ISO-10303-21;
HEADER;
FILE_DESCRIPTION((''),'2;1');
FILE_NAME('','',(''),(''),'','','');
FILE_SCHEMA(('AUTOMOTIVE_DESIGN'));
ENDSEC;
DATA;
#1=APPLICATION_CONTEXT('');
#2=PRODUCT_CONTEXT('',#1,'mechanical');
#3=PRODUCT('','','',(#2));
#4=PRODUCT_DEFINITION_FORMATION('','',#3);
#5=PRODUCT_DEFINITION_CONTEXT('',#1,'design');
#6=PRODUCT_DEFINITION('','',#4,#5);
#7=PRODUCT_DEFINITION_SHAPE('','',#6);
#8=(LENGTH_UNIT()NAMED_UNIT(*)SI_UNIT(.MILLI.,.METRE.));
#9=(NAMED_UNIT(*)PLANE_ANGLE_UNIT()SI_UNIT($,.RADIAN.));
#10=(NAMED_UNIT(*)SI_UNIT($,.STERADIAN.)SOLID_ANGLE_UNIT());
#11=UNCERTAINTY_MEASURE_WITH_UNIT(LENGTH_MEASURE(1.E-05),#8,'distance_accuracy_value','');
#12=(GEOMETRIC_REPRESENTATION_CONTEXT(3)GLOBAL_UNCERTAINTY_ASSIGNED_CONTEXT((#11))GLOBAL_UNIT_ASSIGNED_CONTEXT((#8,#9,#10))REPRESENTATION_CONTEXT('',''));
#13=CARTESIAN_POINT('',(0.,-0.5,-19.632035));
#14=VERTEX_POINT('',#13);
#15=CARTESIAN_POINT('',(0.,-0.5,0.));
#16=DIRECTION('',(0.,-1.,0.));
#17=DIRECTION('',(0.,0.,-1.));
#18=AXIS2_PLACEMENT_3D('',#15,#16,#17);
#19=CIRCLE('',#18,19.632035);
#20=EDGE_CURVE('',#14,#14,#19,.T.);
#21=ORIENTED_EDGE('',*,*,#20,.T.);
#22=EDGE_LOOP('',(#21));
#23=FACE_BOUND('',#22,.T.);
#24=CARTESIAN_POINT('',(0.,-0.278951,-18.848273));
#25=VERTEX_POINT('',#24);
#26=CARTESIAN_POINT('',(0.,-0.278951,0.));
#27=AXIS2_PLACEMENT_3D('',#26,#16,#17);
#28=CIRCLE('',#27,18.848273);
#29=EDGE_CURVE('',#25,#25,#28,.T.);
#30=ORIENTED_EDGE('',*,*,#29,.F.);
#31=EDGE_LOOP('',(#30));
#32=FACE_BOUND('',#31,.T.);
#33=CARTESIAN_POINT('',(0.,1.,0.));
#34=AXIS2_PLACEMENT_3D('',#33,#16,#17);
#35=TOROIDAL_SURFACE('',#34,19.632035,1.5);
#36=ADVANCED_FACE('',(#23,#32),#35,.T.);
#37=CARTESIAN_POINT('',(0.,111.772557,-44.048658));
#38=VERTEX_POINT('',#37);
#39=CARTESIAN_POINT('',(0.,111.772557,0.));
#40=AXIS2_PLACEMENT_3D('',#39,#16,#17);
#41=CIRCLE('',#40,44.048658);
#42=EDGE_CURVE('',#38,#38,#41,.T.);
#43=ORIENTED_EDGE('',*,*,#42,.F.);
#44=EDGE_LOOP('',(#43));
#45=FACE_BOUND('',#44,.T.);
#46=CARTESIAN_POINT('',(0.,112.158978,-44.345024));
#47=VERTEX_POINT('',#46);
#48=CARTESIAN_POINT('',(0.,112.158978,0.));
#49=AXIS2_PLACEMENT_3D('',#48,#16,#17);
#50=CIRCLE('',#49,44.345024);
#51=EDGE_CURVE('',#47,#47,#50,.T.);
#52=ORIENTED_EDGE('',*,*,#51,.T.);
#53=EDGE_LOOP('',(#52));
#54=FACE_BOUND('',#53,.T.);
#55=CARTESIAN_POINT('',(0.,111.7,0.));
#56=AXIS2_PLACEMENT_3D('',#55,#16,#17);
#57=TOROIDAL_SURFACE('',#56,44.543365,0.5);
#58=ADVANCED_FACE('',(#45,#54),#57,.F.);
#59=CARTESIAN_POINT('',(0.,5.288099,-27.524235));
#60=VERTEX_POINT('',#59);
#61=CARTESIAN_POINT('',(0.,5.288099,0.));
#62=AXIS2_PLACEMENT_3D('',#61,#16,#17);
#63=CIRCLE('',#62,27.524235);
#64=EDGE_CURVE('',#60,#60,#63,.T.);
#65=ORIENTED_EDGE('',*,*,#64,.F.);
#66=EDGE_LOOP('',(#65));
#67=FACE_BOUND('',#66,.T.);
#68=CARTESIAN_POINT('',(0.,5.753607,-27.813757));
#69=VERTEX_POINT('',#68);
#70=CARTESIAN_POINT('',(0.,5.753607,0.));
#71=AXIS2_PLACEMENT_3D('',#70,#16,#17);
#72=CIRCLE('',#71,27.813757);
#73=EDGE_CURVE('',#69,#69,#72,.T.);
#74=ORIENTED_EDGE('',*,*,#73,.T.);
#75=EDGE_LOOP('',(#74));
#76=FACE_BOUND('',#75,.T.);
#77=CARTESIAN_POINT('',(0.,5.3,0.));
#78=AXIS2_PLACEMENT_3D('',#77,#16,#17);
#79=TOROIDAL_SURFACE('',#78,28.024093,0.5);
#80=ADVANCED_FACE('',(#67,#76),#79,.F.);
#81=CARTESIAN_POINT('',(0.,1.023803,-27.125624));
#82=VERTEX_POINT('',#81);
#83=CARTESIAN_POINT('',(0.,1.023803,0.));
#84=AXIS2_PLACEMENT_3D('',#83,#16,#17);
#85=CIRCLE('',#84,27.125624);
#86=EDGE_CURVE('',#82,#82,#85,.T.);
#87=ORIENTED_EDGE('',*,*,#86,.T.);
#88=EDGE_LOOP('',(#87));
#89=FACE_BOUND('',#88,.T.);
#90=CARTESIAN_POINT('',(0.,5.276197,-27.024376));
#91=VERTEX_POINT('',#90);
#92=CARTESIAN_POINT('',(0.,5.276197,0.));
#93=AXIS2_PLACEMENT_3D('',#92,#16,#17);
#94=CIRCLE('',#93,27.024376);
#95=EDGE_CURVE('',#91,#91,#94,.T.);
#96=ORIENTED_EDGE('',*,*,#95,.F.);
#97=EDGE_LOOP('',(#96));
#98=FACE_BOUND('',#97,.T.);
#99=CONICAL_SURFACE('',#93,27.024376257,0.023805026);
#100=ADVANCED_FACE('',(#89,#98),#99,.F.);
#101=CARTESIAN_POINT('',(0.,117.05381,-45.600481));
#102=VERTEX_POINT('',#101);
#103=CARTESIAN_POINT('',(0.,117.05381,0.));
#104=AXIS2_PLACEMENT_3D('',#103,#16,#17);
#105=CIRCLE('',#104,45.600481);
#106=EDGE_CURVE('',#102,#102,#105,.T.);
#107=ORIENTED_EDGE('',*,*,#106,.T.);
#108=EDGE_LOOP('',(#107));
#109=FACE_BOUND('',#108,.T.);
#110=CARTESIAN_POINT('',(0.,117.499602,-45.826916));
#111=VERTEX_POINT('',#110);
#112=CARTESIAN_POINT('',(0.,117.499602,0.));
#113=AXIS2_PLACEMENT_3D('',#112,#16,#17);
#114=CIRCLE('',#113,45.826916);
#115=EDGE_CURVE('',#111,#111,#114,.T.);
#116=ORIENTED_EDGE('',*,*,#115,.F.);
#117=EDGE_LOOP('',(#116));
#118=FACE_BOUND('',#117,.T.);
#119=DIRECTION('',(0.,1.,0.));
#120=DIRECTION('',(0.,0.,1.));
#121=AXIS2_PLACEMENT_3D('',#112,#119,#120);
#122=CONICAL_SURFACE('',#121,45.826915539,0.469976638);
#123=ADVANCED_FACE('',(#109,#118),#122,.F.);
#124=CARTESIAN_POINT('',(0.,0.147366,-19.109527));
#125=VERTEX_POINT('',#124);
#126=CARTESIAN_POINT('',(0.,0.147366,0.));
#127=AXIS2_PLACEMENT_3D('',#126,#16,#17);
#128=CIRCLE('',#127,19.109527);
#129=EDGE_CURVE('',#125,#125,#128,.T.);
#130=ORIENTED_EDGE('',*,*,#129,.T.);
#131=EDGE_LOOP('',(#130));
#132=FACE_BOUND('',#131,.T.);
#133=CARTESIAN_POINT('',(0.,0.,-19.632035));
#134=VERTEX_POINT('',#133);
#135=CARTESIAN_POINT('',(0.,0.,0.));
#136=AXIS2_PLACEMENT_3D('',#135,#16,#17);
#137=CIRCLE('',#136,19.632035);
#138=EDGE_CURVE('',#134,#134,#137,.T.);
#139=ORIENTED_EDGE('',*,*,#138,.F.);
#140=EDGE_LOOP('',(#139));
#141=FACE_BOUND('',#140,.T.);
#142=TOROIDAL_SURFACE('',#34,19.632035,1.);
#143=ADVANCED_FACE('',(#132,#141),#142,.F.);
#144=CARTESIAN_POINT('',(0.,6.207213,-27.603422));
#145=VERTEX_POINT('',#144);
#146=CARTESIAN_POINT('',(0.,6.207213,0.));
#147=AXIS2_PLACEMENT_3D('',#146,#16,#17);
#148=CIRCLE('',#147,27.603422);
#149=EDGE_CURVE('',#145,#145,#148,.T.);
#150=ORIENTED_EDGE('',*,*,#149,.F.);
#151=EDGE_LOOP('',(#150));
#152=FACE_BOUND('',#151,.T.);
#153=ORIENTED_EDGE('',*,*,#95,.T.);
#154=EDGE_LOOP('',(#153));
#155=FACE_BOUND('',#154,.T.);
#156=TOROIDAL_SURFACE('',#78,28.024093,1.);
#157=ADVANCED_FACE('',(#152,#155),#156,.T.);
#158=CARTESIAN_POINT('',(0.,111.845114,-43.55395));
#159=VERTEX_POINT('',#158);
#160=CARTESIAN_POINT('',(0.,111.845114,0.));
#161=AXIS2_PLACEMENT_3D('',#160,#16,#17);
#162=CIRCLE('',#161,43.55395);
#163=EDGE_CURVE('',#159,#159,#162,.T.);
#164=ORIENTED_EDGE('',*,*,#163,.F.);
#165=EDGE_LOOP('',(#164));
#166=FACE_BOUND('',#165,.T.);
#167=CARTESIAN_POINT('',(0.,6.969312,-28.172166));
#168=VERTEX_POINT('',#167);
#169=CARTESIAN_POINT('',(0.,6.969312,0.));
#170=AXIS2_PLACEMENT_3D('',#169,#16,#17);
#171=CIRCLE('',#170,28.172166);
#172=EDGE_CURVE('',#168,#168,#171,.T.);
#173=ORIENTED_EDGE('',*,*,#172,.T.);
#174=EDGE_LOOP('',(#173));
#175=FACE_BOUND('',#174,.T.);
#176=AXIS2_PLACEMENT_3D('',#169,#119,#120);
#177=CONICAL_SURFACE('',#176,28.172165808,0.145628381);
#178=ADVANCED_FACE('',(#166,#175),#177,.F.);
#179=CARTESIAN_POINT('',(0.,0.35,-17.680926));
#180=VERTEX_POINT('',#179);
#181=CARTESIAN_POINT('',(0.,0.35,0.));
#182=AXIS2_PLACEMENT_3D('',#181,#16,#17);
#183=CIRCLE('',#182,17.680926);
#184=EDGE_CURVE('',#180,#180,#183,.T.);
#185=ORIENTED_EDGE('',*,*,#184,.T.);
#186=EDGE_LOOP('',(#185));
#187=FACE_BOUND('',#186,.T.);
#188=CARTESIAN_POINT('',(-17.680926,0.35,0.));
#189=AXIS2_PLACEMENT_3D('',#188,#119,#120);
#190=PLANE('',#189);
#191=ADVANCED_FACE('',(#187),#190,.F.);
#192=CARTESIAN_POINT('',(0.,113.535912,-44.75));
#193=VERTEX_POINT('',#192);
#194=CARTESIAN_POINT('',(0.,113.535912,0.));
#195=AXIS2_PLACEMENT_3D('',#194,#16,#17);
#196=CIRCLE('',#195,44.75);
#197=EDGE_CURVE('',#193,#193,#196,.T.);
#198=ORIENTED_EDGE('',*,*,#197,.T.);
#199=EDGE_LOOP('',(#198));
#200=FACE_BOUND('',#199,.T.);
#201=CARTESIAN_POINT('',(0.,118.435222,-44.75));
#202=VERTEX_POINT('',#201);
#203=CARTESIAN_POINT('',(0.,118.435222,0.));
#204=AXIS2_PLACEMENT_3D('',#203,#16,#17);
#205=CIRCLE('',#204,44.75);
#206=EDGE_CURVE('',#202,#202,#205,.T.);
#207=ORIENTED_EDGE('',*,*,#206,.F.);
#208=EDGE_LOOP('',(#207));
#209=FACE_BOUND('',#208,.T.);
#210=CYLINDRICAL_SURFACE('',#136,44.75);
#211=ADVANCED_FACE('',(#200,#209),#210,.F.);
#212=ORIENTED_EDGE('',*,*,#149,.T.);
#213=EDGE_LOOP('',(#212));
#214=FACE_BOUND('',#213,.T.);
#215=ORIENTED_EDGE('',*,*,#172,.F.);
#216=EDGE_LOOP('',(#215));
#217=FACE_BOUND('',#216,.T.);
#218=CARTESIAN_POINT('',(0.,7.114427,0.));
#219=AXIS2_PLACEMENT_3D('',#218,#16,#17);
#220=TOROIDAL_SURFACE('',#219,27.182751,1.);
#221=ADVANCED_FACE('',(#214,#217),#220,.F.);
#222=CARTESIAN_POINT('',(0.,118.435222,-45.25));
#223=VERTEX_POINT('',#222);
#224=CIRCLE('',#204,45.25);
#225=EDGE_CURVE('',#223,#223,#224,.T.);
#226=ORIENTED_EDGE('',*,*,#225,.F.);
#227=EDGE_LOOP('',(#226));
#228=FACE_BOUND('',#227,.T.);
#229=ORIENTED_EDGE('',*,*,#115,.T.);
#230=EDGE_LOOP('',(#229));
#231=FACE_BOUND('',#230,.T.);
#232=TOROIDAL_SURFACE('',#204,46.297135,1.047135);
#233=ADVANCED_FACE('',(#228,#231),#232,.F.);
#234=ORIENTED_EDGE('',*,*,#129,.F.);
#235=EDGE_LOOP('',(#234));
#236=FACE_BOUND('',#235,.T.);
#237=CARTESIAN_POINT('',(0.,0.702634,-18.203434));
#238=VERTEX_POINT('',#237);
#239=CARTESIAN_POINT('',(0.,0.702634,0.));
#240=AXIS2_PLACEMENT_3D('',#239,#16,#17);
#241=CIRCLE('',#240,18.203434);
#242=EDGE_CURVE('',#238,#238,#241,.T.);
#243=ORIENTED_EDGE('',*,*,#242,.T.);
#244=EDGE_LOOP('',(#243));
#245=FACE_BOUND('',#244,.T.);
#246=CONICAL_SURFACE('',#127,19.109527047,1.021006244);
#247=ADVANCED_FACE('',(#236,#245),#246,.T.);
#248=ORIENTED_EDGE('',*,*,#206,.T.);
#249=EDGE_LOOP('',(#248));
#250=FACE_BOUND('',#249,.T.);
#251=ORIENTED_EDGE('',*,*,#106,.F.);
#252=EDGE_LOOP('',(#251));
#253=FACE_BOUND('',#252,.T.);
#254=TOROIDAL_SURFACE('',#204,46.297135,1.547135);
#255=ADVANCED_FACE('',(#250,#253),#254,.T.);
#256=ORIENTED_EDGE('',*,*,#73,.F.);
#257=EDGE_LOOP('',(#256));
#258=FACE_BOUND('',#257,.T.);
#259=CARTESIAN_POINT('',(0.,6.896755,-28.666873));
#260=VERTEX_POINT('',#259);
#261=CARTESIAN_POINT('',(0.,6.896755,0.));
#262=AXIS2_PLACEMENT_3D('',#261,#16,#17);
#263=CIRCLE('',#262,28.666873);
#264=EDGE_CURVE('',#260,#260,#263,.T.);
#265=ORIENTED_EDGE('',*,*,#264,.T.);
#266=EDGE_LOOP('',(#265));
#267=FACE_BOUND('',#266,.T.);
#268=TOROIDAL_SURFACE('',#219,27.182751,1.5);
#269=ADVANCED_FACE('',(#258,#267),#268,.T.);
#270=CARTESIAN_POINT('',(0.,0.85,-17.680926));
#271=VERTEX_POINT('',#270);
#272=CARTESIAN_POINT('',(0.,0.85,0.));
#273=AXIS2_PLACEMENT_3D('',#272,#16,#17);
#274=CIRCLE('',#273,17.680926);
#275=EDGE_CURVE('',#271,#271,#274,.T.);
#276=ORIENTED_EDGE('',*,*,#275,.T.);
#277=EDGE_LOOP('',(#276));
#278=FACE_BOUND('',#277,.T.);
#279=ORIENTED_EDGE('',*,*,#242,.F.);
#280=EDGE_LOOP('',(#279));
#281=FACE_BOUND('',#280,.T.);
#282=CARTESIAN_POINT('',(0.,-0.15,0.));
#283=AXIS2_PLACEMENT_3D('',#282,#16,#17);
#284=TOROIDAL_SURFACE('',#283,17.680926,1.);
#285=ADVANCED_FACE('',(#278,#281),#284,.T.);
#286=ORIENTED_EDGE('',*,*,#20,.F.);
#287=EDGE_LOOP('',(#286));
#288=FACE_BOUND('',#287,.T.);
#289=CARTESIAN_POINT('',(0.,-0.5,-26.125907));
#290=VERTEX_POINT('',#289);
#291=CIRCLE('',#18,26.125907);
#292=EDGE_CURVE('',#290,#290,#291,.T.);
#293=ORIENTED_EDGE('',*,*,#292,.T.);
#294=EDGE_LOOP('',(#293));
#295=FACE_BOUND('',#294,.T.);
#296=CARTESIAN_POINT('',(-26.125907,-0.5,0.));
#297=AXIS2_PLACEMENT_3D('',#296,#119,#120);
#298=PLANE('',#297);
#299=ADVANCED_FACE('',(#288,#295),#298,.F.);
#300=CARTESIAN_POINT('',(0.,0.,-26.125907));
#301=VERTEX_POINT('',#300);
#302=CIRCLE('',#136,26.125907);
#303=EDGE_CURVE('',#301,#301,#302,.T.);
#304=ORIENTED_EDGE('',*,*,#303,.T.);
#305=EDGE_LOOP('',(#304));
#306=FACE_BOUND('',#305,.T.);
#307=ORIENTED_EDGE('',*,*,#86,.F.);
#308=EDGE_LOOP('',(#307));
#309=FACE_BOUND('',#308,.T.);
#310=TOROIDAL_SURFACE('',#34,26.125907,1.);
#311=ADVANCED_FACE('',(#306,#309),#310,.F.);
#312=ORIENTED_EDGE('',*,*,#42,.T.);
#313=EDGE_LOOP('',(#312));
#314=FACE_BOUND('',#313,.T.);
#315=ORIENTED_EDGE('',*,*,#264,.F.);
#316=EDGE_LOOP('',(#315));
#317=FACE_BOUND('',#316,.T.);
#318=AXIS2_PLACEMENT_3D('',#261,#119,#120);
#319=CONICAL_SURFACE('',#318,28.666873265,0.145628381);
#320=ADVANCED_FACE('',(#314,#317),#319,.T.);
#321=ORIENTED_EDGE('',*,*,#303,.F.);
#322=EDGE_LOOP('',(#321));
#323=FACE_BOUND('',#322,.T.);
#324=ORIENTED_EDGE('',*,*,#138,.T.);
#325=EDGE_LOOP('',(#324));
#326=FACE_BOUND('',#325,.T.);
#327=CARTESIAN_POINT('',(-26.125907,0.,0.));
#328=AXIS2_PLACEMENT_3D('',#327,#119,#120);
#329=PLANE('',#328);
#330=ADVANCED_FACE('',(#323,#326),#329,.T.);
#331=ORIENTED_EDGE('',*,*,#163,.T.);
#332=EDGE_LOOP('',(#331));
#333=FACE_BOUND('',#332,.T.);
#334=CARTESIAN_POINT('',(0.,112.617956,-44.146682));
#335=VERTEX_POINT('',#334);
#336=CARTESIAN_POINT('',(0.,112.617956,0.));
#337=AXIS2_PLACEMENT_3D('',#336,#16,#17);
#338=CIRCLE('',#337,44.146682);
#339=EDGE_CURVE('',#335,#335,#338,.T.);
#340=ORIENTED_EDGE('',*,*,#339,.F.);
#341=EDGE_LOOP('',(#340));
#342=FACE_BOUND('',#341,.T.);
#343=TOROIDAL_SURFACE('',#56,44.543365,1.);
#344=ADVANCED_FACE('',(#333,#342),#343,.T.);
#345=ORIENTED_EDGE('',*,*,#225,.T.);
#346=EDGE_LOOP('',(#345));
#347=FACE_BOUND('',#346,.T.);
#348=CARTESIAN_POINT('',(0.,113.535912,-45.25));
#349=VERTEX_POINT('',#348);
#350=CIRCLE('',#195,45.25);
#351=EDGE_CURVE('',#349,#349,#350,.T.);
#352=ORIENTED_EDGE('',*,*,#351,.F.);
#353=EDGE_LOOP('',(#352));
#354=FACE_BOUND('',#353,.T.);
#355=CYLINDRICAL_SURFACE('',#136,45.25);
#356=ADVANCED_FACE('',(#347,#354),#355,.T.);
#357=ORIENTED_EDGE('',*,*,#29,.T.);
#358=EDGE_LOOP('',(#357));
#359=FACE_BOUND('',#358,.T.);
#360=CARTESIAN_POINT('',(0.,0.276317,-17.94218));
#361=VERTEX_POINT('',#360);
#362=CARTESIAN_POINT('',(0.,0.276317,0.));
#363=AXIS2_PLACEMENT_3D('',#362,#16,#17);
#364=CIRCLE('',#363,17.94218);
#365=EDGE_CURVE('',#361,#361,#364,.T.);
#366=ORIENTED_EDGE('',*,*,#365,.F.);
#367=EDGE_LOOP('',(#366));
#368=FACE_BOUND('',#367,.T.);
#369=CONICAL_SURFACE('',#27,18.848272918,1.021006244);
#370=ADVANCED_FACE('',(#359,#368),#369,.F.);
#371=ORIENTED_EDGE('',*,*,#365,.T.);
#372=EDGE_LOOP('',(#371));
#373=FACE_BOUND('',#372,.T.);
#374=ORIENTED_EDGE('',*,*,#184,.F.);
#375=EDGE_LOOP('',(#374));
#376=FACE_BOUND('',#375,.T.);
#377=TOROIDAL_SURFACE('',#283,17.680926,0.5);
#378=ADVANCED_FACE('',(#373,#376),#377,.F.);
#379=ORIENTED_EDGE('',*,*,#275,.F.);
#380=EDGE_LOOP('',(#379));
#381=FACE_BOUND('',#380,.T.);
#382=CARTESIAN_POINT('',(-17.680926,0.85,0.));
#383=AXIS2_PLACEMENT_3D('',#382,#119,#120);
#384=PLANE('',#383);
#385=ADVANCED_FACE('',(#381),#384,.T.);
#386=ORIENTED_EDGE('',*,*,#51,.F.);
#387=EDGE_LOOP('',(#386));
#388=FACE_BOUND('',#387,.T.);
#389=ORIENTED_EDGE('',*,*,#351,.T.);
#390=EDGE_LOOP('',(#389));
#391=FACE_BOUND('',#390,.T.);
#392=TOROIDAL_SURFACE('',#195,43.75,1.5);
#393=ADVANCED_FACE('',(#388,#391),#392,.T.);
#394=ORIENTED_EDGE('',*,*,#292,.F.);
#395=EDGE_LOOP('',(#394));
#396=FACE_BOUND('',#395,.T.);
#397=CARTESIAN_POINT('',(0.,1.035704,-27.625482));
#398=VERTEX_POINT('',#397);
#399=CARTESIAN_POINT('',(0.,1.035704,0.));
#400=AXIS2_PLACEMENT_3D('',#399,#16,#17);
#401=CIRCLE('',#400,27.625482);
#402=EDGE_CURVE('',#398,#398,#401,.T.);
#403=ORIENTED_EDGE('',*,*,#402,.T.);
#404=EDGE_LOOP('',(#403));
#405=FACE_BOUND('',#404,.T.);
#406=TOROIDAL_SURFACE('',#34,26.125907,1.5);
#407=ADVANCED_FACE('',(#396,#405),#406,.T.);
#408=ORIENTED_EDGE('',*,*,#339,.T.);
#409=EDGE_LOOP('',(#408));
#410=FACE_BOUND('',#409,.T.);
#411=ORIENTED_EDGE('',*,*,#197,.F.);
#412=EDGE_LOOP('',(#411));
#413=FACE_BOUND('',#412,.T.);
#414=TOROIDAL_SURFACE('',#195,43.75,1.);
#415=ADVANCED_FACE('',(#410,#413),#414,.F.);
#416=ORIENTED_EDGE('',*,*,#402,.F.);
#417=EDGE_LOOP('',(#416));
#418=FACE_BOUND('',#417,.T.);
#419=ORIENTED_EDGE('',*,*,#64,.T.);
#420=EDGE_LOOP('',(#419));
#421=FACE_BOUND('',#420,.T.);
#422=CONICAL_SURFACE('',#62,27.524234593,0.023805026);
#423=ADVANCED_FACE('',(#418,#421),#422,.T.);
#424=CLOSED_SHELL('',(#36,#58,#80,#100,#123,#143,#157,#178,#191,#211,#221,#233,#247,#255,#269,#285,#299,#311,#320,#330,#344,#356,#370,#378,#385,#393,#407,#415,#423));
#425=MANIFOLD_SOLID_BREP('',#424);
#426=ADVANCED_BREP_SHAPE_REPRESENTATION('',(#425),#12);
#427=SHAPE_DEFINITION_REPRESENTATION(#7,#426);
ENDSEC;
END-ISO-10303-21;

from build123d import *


with BuildPart() as part:
    # Sketch1 → Revolve2 (revolve)
    with BuildSketch(Plane.XY):
        with BuildLine():
            Line((0, 0.85), (0, 0.35))
            Line((0, 0.35), (-17.680926155, 0.35))
            ThreePointArc((-17.680926155, 0.35), (-17.816649115, 0.331226847), (-17.942180284, 0.276317112))
            Line((-17.942180284, 0.276317112), (-18.848272918, -0.278951337))
            ThreePointArc((-18.848272918, -0.278951337), (-19.224866424, -0.44368054), (-19.632035304, -0.5))
            Line((-19.632035304, -0.5), (-26.12590707, -0.5))
            ThreePointArc((-26.12590707, -0.5), (-27.199116334, -0.047960817), (-27.62548208, 1.035704167))
            Line((-27.62548208, 1.035704167), (-27.524234593, 5.288098611))
            ThreePointArc((-27.524234593, 5.288098611), (-27.59951284, 5.564067693), (-27.813757421, 5.753606629))
            ThreePointArc((-27.813757421, 5.753606629), (-28.384890548, 6.217286474), (-28.666873265, 6.896755234))
            Line((-28.666873265, 6.896755234), (-44.048657538, 111.772557094))
            ThreePointArc((-44.048657538, 111.772557094), (-44.146616467, 112.004287044), (-44.345023746, 112.15897794))
            ThreePointArc((-44.345023746, 112.15897794), (-45.003502218, 112.712059714), (-45.25, 113.535911758))
            Line((-45.25, 113.535911758), (-45.25, 118.435222207))
            ThreePointArc((-45.25, 118.435222207), (-47.188446327, 118.984816692), (-45.826915539, 117.499602171))
            Line((-45.826915539, 117.499602171), (-45.600481412, 117.053809985))
            ThreePointArc((-45.600481412, 117.053809985), (-47.614602101, 119.246335387), (-44.75, 118.435222207))
            Line((-44.75, 118.435222207), (-44.75, 113.535911758))
            ThreePointArc((-44.75, 113.535911758), (-44.585668145, 112.986677062), (-44.146682498, 112.617955879))
            ThreePointArc((-44.146682498, 112.617955879), (-43.749867938, 112.308574088), (-43.553950081, 111.845114187))
            Line((-43.553950081, 111.845114187), (-28.172165808, 6.969312327))
            ThreePointArc((-28.172165808, 6.969312327), (-27.98417733, 6.516333154), (-27.603421912, 6.207213257))
            ThreePointArc((-27.603421912, 6.207213257), (-27.174932749, 5.828135387), (-27.024376257, 5.276197222))
            Line((-27.024376257, 5.276197222), (-27.125623743, 1.023802778))
            ThreePointArc((-27.125623743, 1.023802778), (-26.841379913, 0.301359455), (-26.12590707, 0))
            Line((-26.12590707, 0), (-19.632035304, 0))
            ThreePointArc((-19.632035304, 0), (-19.360589384, 0.037546306), (-19.109527047, 0.147365775))
            Line((-19.109527047, 0.147365775), (-18.203434412, 0.702634225))
            ThreePointArc((-18.203434412, 0.702634225), (-17.952372075, 0.812453694), (-17.680926155, 0.85))
            Line((-17.680926155, 0.85), (0, 0.85))
        make_face()
    revolve(axis=Axis((0, 0, 0), (0, 1, 0)))


solid = part.part
